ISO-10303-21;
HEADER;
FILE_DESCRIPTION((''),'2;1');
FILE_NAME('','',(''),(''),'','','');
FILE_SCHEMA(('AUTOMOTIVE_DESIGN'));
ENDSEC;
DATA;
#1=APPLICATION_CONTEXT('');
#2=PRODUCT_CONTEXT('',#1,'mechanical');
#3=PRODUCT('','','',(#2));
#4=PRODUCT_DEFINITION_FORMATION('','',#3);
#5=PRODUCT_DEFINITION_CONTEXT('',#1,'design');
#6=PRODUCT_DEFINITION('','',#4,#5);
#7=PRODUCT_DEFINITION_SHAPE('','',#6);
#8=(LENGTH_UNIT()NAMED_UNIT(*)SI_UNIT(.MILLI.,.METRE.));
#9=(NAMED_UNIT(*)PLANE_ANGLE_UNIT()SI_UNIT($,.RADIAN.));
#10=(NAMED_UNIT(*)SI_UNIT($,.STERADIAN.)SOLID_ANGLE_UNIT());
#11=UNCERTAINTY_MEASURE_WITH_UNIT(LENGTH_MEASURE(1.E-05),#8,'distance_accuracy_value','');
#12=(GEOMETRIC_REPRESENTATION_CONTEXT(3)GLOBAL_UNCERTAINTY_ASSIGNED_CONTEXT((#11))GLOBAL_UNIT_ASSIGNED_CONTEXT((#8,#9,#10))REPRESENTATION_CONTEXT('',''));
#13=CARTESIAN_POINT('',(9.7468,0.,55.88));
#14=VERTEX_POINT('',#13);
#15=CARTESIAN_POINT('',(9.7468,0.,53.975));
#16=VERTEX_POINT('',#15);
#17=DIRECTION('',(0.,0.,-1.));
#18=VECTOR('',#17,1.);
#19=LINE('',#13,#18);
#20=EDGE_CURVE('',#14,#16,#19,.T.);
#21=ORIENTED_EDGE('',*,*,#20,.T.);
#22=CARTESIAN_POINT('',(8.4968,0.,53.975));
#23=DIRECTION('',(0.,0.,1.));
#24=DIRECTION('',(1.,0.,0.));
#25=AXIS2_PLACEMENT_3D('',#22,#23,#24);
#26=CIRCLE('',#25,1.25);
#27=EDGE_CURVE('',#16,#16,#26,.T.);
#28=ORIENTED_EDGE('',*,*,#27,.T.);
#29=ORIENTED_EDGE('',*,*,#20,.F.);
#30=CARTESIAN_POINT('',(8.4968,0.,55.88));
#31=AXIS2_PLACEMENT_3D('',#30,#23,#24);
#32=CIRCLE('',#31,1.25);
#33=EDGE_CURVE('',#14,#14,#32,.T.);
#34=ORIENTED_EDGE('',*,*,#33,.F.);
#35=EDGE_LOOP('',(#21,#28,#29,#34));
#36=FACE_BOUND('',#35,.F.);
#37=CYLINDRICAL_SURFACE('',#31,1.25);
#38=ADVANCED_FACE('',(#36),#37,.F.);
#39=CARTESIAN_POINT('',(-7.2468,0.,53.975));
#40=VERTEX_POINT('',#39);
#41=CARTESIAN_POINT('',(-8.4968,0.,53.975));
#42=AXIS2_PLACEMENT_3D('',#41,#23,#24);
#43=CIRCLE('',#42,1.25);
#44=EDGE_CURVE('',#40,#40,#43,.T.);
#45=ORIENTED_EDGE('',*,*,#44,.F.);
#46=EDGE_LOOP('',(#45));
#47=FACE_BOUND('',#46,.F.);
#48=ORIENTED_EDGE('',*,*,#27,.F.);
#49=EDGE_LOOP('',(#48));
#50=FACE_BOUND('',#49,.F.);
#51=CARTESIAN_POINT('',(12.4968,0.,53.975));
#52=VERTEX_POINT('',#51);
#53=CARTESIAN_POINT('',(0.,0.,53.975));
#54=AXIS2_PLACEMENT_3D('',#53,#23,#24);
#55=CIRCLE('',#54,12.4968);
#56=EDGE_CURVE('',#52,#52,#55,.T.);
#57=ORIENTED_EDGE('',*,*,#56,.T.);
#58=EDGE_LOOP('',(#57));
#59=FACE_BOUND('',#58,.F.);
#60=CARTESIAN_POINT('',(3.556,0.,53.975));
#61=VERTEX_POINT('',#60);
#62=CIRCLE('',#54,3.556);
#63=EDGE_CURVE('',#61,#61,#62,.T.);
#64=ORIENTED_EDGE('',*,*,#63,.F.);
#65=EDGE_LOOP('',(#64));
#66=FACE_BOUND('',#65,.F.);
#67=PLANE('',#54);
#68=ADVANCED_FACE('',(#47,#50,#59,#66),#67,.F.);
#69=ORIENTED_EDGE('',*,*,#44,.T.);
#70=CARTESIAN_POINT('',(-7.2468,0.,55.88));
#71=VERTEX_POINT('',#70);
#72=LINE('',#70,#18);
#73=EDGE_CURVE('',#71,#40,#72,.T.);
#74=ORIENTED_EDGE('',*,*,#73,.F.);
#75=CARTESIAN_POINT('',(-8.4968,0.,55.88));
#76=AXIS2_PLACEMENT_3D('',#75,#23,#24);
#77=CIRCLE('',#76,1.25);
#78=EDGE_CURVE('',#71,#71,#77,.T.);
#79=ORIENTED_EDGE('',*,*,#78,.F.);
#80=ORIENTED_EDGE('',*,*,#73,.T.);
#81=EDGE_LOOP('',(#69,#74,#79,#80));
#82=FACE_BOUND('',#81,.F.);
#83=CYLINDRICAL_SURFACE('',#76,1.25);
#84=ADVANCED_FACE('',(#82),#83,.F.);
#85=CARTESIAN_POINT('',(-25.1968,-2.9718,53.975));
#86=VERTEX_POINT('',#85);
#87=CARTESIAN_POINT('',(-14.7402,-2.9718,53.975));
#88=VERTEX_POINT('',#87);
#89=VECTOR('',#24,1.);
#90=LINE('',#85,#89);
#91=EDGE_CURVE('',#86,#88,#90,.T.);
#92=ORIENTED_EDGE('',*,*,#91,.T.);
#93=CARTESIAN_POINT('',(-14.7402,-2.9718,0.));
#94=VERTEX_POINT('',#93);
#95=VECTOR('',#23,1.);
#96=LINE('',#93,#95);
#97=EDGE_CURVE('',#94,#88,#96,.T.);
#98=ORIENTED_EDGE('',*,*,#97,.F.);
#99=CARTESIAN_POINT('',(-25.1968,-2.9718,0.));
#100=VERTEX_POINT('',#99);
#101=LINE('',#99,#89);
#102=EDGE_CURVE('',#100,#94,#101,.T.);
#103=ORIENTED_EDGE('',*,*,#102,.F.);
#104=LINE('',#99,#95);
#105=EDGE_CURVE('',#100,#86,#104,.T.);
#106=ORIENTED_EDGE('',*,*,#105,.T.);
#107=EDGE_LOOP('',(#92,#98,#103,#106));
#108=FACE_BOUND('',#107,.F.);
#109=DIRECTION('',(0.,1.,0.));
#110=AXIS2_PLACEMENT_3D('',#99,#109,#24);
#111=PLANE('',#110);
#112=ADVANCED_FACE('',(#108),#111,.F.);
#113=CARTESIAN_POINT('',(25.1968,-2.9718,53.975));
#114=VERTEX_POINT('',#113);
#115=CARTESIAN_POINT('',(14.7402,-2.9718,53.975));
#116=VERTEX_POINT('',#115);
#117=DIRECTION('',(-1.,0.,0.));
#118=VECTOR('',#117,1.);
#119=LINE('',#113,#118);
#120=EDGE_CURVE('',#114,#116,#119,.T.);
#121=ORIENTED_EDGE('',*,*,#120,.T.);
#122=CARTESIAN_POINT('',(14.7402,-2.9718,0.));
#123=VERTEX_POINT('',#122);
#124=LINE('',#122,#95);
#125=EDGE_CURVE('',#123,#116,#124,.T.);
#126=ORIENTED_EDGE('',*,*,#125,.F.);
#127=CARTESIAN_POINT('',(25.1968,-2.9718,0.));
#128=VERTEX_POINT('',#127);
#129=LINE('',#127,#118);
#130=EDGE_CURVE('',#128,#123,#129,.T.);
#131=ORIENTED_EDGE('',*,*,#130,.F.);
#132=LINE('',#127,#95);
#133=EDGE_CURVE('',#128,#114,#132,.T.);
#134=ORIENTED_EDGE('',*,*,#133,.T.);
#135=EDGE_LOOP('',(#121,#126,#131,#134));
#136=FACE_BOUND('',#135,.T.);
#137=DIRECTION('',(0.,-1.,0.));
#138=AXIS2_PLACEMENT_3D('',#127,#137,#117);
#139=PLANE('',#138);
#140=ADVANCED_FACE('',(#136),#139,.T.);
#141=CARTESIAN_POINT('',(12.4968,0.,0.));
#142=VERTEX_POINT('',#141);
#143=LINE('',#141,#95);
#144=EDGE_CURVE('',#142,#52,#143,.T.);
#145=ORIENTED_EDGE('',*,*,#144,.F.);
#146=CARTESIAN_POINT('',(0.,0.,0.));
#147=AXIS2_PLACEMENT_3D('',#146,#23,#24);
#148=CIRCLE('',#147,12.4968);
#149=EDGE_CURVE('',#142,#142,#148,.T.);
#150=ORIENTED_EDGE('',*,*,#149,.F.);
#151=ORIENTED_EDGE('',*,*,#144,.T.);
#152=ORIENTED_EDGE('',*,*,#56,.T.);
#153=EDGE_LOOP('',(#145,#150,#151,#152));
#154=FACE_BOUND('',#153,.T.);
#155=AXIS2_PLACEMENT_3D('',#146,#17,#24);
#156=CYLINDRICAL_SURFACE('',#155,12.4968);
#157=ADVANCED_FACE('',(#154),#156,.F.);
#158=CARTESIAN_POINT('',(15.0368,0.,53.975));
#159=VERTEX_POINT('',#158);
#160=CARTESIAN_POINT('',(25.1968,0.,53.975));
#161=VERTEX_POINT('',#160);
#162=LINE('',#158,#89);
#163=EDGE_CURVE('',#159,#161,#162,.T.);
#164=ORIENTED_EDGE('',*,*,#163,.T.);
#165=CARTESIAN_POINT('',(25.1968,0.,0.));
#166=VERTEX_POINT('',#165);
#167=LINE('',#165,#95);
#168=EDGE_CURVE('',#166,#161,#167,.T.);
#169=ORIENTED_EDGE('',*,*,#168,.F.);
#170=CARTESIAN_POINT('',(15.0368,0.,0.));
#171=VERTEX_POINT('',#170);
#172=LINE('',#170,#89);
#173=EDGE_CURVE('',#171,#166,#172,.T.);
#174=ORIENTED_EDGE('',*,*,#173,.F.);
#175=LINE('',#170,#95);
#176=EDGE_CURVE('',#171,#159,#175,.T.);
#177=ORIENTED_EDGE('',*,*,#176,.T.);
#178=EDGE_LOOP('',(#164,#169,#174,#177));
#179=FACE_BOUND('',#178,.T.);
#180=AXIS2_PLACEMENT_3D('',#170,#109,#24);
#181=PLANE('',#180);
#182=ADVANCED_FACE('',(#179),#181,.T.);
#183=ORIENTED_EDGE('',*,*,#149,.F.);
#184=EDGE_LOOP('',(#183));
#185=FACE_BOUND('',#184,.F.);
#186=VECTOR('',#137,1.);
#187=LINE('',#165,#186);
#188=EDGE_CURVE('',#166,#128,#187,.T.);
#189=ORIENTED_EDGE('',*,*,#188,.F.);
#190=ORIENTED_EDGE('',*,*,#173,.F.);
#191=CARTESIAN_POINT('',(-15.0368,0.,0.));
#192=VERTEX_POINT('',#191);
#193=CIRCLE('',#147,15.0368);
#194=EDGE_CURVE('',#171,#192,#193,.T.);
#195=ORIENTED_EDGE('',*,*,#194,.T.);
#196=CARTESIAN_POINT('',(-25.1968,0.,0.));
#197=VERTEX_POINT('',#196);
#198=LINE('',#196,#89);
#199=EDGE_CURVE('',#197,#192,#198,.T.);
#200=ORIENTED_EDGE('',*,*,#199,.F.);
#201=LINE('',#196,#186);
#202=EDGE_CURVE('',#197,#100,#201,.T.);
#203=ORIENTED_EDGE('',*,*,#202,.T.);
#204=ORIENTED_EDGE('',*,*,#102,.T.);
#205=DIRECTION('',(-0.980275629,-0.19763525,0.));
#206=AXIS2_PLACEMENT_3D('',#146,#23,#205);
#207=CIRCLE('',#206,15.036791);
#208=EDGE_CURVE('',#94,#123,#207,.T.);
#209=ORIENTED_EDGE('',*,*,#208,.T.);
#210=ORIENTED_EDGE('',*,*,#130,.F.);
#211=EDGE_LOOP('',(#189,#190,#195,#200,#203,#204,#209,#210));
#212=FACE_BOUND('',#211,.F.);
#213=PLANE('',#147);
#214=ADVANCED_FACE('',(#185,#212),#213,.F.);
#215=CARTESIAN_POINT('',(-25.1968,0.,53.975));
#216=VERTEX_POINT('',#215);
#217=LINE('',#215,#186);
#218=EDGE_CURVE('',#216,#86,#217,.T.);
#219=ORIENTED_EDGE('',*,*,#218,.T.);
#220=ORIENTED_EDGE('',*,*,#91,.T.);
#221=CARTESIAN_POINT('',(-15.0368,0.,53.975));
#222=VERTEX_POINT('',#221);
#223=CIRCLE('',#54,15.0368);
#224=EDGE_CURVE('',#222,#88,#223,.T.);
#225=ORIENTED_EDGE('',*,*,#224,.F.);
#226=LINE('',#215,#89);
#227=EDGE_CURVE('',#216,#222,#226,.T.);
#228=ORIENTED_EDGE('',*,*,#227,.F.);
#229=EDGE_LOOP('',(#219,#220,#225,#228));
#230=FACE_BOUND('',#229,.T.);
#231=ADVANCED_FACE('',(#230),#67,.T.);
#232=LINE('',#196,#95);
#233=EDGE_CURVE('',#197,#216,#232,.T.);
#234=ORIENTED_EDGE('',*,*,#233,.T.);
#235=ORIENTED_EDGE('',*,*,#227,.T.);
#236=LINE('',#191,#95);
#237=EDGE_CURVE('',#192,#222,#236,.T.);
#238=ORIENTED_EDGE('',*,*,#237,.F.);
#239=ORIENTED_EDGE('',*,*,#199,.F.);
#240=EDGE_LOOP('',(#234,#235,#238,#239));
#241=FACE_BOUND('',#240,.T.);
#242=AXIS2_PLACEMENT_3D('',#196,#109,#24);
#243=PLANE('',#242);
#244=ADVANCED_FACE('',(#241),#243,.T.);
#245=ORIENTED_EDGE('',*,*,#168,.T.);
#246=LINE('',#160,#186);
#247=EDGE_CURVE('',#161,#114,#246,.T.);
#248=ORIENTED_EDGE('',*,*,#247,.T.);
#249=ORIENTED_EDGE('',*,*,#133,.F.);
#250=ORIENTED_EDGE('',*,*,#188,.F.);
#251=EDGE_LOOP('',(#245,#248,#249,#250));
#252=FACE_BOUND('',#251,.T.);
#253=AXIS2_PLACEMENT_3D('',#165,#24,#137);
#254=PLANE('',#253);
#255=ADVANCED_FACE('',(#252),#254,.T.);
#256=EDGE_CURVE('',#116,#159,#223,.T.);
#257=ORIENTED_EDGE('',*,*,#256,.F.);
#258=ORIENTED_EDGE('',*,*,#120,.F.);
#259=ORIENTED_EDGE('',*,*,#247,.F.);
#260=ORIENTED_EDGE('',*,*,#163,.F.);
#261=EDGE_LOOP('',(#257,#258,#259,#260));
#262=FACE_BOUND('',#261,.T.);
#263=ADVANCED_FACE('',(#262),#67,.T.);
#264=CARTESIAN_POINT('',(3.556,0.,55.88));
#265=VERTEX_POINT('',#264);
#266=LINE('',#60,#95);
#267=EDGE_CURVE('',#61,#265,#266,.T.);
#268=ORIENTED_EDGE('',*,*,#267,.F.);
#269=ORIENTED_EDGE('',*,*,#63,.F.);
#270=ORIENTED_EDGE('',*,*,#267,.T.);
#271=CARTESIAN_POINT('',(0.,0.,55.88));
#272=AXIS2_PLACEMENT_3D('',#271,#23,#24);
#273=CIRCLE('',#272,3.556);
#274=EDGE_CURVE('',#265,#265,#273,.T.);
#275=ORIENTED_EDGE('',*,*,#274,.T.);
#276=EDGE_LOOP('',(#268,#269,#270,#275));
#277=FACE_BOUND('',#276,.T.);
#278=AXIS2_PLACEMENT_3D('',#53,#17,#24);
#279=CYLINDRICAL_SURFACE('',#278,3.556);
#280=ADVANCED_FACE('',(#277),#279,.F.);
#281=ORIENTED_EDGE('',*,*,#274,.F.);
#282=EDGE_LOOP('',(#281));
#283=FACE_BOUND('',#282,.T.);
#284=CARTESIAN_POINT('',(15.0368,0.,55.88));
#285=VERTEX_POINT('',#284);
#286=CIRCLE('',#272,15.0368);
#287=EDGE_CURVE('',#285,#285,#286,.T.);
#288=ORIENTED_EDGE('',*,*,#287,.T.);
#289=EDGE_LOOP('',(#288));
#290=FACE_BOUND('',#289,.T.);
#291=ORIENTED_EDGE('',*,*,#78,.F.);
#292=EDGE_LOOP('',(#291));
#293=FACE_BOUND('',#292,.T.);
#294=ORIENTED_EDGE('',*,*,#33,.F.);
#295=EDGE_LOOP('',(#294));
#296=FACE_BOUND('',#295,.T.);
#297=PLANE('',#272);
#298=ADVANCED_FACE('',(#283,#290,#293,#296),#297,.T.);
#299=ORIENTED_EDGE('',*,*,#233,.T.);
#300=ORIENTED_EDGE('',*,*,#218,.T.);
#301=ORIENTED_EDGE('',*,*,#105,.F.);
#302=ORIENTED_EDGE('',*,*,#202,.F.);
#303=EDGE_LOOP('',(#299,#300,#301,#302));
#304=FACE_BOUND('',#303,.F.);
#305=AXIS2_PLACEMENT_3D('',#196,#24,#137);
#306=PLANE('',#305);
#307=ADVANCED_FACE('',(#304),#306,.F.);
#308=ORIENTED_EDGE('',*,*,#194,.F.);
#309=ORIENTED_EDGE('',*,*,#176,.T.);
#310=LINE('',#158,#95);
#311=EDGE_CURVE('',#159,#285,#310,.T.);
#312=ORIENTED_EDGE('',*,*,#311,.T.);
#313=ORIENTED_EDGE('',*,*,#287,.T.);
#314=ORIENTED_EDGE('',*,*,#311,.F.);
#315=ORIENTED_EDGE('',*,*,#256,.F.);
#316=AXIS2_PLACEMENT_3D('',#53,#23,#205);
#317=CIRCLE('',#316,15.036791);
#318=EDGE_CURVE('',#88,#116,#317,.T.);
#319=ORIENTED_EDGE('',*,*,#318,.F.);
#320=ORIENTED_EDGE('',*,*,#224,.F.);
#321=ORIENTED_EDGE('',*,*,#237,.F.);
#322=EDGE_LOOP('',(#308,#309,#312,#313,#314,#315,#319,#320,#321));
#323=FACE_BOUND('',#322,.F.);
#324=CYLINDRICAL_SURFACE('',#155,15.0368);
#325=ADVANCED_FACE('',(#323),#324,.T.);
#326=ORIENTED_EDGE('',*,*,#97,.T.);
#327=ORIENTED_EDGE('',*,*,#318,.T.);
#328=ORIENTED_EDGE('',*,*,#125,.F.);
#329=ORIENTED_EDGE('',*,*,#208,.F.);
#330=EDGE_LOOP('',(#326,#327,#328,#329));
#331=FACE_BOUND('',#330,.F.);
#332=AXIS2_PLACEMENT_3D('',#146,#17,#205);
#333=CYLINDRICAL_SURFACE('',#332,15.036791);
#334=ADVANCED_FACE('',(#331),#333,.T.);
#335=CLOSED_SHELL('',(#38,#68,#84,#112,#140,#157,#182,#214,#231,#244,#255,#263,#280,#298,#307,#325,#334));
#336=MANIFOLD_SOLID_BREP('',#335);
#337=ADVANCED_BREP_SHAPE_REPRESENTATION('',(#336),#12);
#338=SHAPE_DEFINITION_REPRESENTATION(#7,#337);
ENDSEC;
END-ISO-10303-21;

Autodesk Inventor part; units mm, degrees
ref_plane "YZ Plane" through (0, 0, 0) normal (1, 0, 0) x (0, 1, 0)
ref_plane "XZ Plane" through (0, 0, 0) normal (0, 1, 0) x (-1, 0, 0)
ref_plane "XY Plane" through (0, 0, 0) normal (0, 0, 1) x (1, 0, 0)
sketch "Sketch1" plane through (0, 0, 0) normal (0, 0, 1) x (1, 0, 0)
  line L0 (-25.1968, 0) -> (-25.1968, -2.9718)
  line L1 (-25.1968, -2.9718) -> (-14.7402, -2.9718)
  line L2 (25.1968, 0) -> (25.1968, -2.9718)
  line L3 (25.1968, -2.9718) -> (14.7402, -2.9718)
  line L4 (-25.1968, 0) -> (-15.0368, 0)
  line L5 (15.0368, 0) -> (25.1968, 0)
  circle A0 centre (0, 0) radius 12.4968
  arc A1 (15.0368, 0) -> (-15.0368, 0) centre (0, 0) ccw
  arc A2 (-14.7402, -2.9718) -> (14.7402, -2.9718) centre (0, 0) ccw
  point P0 (-12.4968, 0)
  dimension "d12" = 24.9936
  dimension "d4" = 2.9718
  dimension "d5" = 2.9718
  dimension "d6" = 50.3936
  dimension "d9" = 12.7
  dimension "d13" = 15.0368
  dimension "d14" = 15.0368
  dimension "d15" = 10.4566
  dimension "d16" = 10.4566
  dimension "d17" = 10.16
extrude "Extrusion2" add sketch "Sketch1" along normal blind 53.975
sketch "Sketch2" plane through (0, 0, 53.975) normal (0, 0, 1) x (1, 0, 0)
  circle A0 centre (0, 0) radius 3.556
  circle A1 centre (0, 0) radius 15.0368
  dimension "d20" = 7.112
  dimension "d21" = 30.0736
extrude "Extrusion3" add sketch "Sketch2" along normal blind 1.905
sketch "Sketch3" plane through (0, 0, 55.88) normal (0, 0, 1) x (1, 0, 0)
  circle A0 centre (0, 0) radius 12.4968 projected
  circle A1 centre (-8.4968, 0) radius 1.25
  circle A2 centre (8.4968, 0) radius 1.25
  dimension "d25" = 2.5
  dimension "d26" = 8.4968
  dimension "d27" = 2.5
  dimension "d28" = 8.4968
extrude "Extrusion4" cut sketch "Sketch3" against normal blind 254 contours A1 | A2
properties part number "Attachment2"
